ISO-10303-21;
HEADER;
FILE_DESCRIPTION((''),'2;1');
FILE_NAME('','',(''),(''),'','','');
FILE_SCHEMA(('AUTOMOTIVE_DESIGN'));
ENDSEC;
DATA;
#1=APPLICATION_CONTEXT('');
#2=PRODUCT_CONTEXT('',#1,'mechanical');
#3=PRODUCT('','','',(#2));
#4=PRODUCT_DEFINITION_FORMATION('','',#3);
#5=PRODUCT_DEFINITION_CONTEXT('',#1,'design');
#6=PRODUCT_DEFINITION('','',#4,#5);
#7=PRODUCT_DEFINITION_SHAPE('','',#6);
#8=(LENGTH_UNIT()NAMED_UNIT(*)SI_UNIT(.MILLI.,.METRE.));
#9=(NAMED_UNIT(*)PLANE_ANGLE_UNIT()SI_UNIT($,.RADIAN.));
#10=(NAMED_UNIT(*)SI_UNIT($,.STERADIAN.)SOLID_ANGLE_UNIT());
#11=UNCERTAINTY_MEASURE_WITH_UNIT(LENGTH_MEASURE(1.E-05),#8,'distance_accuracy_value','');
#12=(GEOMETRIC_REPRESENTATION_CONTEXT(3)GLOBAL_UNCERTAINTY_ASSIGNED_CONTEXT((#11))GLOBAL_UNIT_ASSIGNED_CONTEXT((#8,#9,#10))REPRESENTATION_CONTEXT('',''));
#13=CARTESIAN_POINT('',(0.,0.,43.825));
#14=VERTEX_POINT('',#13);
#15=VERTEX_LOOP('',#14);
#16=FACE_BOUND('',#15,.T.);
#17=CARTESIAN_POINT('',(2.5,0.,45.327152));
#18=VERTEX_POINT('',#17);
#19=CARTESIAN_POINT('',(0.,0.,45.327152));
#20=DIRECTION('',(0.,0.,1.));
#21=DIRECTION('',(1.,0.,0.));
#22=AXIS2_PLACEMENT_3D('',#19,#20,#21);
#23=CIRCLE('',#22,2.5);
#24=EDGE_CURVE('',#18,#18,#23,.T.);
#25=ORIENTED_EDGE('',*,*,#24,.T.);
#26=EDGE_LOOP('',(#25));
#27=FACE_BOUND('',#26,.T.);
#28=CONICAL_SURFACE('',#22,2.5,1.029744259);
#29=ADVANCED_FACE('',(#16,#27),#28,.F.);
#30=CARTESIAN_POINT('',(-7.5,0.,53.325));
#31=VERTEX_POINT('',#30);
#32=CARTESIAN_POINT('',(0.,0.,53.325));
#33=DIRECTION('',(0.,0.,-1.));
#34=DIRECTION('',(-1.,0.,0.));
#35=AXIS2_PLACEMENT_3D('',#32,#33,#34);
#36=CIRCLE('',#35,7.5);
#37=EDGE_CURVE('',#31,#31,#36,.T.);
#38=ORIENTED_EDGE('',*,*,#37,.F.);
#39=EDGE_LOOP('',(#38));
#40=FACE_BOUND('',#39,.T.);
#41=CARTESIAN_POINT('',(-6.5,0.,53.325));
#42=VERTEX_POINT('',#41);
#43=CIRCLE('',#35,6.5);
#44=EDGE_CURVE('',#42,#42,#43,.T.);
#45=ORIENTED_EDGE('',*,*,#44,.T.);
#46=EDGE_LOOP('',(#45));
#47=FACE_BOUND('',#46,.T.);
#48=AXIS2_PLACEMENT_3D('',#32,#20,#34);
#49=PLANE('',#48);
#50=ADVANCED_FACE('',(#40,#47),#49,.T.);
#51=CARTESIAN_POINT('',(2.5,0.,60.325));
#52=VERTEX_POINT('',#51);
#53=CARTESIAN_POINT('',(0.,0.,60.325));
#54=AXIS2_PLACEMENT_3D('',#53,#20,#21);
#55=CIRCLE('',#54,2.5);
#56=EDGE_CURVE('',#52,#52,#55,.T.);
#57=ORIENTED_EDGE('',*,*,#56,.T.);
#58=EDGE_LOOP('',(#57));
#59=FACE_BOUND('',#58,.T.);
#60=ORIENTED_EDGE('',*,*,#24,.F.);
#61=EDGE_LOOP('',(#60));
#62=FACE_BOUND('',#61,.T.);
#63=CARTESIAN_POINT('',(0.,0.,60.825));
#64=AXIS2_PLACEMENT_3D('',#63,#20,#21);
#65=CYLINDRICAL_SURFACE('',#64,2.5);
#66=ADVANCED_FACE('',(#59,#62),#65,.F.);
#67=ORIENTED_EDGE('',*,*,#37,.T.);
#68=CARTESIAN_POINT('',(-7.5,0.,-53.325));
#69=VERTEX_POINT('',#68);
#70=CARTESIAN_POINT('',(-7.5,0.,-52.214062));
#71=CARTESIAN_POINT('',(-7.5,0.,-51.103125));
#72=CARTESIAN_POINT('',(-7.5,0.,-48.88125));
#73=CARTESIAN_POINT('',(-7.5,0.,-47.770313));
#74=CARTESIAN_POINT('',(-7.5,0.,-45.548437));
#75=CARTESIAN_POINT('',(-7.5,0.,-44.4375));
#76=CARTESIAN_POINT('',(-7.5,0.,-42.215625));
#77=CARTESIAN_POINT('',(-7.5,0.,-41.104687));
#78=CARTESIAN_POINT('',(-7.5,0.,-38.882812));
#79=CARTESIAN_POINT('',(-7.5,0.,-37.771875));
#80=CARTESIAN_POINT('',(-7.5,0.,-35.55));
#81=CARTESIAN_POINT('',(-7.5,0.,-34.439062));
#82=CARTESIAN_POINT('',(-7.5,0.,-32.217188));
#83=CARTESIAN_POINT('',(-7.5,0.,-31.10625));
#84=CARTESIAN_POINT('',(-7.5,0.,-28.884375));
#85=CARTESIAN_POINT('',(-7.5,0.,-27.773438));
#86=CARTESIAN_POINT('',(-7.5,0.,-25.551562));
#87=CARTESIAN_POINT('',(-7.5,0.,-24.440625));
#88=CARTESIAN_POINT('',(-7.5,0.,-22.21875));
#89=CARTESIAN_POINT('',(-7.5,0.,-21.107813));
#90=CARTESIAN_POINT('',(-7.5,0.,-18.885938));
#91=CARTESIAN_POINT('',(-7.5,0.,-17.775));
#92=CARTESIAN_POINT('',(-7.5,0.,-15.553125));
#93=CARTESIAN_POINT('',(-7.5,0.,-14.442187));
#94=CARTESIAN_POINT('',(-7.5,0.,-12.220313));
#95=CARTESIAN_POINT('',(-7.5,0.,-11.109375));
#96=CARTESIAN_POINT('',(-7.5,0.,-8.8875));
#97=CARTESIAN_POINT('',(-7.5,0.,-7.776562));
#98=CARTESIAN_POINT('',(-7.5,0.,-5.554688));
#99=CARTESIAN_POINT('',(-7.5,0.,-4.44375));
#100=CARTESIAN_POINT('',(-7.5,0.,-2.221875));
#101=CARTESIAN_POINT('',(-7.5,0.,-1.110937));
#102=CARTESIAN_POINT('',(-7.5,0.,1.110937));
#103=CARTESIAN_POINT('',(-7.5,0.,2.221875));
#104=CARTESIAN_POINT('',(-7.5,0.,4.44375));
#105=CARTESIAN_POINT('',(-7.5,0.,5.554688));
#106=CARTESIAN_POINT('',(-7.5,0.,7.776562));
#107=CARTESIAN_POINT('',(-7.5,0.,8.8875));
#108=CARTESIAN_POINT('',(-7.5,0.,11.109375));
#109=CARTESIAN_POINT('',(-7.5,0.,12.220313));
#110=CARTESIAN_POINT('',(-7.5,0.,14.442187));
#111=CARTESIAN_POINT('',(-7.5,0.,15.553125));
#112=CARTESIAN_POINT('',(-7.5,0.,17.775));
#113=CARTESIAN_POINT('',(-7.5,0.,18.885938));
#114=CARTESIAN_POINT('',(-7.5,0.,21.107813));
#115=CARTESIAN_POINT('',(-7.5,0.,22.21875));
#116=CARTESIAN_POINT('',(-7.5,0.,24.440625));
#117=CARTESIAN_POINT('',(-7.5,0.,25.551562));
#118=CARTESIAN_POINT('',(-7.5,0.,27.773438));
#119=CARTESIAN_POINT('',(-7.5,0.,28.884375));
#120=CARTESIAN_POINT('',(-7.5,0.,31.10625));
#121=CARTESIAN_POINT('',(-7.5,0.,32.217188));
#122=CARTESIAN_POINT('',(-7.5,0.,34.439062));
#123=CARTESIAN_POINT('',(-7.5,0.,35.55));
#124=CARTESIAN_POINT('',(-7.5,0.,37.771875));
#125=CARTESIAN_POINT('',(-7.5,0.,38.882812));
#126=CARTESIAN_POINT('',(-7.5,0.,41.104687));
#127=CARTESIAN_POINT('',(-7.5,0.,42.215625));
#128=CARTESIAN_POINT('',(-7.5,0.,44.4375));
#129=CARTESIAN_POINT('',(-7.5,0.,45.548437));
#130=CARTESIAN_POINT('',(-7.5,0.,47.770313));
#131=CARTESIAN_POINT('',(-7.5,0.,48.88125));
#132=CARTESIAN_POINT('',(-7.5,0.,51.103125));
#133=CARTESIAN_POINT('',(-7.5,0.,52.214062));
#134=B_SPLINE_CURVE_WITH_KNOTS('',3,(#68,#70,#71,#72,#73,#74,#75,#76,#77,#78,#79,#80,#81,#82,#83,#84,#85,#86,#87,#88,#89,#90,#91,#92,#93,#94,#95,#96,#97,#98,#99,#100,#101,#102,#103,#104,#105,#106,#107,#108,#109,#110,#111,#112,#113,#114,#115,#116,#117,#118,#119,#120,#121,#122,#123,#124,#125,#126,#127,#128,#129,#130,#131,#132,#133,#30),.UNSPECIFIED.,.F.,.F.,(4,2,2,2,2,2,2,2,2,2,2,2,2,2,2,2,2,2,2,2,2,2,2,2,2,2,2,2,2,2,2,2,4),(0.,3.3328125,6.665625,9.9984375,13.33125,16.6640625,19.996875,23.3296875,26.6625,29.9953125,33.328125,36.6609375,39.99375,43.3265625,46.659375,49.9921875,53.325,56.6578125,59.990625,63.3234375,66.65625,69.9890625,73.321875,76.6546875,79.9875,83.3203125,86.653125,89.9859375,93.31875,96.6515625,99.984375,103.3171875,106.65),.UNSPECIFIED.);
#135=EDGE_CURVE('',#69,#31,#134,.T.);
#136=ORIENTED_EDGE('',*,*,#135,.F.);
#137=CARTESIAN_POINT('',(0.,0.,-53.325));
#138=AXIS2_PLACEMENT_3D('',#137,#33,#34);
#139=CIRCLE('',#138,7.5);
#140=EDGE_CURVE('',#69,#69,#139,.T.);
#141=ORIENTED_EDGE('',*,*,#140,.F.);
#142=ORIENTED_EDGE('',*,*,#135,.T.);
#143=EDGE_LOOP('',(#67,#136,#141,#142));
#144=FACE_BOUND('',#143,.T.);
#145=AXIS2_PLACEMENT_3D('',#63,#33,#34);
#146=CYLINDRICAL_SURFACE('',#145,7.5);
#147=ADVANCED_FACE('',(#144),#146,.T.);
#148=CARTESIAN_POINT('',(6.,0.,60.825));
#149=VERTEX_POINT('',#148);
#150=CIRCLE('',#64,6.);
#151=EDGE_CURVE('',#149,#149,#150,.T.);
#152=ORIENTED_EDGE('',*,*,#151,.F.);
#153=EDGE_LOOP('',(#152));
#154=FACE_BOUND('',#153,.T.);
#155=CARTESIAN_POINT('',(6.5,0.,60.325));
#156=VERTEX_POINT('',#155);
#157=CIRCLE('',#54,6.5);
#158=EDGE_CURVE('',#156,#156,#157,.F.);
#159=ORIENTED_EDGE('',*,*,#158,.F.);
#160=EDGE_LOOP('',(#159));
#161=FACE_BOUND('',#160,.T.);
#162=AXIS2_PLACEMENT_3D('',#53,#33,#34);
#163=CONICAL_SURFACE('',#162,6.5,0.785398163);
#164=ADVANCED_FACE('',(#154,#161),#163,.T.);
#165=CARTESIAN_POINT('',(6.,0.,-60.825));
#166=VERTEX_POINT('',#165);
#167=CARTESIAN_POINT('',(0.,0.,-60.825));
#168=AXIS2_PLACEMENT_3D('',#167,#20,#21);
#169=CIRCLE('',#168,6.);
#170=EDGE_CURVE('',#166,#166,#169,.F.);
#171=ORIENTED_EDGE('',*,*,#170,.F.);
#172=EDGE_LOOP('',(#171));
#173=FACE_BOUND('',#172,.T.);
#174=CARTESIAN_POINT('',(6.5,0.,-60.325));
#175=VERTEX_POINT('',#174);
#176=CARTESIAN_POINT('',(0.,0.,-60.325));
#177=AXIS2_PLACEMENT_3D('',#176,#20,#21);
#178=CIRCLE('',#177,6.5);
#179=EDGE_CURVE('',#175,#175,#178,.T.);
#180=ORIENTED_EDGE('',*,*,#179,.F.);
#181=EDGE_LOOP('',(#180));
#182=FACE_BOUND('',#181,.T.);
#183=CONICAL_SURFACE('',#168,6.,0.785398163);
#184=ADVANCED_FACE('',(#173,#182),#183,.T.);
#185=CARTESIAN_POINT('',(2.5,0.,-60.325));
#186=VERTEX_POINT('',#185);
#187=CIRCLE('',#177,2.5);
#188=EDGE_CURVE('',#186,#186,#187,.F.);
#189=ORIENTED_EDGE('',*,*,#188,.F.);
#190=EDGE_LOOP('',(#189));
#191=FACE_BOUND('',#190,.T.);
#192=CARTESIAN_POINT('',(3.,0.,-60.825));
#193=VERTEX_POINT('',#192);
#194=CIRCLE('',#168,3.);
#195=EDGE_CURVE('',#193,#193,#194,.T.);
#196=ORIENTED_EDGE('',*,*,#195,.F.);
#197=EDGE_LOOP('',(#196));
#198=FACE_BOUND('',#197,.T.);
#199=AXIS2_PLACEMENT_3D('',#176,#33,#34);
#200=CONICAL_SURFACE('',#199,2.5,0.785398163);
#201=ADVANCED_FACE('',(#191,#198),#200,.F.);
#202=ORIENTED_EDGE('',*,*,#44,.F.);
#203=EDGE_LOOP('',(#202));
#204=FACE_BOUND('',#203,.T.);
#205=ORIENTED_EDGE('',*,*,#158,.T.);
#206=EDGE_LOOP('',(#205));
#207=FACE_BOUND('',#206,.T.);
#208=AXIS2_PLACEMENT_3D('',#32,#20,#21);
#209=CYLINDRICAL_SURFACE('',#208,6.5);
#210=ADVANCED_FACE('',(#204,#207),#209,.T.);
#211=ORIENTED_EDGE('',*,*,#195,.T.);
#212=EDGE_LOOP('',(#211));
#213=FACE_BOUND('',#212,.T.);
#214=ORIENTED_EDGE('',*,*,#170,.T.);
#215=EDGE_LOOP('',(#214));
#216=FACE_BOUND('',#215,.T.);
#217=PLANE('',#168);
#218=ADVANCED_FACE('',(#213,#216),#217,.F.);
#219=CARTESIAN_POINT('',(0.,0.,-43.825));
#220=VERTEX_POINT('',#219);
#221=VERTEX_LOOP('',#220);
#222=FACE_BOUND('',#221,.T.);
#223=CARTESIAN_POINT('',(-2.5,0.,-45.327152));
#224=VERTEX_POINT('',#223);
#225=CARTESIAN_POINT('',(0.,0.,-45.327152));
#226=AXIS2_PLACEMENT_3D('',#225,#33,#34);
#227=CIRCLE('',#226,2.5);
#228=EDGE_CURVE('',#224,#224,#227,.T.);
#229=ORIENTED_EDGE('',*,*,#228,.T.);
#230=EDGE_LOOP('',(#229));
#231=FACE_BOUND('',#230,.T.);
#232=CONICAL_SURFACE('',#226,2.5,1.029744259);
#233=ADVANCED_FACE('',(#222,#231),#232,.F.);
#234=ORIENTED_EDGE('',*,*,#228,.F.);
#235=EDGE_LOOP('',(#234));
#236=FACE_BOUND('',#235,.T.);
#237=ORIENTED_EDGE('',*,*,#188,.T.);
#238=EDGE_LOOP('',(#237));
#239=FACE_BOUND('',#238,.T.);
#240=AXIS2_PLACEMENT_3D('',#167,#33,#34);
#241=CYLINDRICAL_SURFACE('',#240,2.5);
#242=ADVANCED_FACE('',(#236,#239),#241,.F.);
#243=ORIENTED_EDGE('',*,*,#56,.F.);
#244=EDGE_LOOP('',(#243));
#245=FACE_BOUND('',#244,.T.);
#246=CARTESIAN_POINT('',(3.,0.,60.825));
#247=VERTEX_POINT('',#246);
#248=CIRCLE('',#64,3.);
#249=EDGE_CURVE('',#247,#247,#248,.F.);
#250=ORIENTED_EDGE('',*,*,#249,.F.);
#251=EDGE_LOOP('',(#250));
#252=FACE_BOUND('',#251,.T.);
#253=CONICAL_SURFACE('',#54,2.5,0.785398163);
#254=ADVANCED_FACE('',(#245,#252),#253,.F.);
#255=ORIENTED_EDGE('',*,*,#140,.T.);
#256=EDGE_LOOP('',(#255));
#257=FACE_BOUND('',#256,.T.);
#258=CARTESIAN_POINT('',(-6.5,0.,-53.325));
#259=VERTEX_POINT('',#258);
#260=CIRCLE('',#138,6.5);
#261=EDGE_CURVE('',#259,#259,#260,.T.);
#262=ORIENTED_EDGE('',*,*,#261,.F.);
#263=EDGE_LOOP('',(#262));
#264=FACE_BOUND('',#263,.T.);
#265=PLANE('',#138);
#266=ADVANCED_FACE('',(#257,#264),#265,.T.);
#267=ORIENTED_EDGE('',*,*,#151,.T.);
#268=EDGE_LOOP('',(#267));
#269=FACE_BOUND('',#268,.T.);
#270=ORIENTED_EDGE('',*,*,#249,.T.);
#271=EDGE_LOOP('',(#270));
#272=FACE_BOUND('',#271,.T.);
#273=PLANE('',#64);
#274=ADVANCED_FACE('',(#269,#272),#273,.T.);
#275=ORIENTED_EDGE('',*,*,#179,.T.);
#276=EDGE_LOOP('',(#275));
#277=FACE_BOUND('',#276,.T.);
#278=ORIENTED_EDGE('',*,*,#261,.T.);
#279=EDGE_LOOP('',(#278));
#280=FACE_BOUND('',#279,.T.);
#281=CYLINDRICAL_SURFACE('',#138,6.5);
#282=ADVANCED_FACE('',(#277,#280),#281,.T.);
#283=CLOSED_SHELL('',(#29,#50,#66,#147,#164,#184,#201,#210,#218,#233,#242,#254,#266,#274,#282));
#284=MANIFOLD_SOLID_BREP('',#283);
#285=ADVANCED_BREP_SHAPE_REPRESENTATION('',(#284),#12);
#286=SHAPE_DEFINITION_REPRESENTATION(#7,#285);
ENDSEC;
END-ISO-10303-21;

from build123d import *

# Parameters (mm, degrees)
ESBO_O1_R                = 7.5
RESSALTO_EXTRUS_O1_DEPTH = 60.825
CORTE_EXTRUS_O1_START    = -7.5
ESBO_O2_R                = 7.5
ESBO_O2_R_2              = 6.5
CORTE_EXTRUS_O1_DEPTH    = 7.5
CHANFRO1_SIZE            = 0.5


with BuildPart() as part:
    # Esboço1 → Ressalto-extrusão1 (new, symmetric)
    with BuildSketch(Plane.XY):
        with Locations(Location((0, 0, 0), (0, 0, 180))):
            Circle(ESBO_O1_R)
    extrude(amount=RESSALTO_EXTRUS_O1_DEPTH, both=True)

    # Esboço2 → Corte-extrusão1 (cut)
    with BuildSketch(Plane(origin=(0, 0, -60.825), x_dir=(-1, 0, 0), z_dir=(0, 0, -1)).offset(CORTE_EXTRUS_O1_START)):
        Circle(ESBO_O2_R)
        Circle(ESBO_O2_R_2, mode=Mode.SUBTRACT)
    corte_extrus_o1 = extrude(amount=CORTE_EXTRUS_O1_DEPTH, mode=Mode.SUBTRACT)

    # Esboço7 → Furo roscado de M6x1.01 (revolve, cut)
    with BuildSketch(Plane(origin=(0, 0, -60.825), x_dir=(0, 1, 0), z_dir=(1, 0, 0))):
        Polygon((0, 0), (0, 17), (2.5, 15.497848452), (2.5, 0), align=None)
    furo_roscado_de_m6x1_01 = revolve(axis=Axis((0, 0, -67.175), (0, 0, 1)), mode=Mode.SUBTRACT)

    # Espelhar1: Corte-extrusão1, Furo roscado de M6x1.01 across plane
    add(corte_extrus_o1.mirror(Plane.XY), mode=Mode.SUBTRACT)
    add(furo_roscado_de_m6x1_01.mirror(Plane.XY), mode=Mode.SUBTRACT)

    # Chanfro1
    chanfro1_edges = [part.edges().sort_by_distance(p)[0] for p in [
        (0, -2.5, -60.825),
        (6.5, 0, 60.825),
        (0, -2.5, 60.825),
        (6.5, 0, -60.825),
    ]]
    chamfer(chanfro1_edges, length=CHANFRO1_SIZE)


solid = part.part
